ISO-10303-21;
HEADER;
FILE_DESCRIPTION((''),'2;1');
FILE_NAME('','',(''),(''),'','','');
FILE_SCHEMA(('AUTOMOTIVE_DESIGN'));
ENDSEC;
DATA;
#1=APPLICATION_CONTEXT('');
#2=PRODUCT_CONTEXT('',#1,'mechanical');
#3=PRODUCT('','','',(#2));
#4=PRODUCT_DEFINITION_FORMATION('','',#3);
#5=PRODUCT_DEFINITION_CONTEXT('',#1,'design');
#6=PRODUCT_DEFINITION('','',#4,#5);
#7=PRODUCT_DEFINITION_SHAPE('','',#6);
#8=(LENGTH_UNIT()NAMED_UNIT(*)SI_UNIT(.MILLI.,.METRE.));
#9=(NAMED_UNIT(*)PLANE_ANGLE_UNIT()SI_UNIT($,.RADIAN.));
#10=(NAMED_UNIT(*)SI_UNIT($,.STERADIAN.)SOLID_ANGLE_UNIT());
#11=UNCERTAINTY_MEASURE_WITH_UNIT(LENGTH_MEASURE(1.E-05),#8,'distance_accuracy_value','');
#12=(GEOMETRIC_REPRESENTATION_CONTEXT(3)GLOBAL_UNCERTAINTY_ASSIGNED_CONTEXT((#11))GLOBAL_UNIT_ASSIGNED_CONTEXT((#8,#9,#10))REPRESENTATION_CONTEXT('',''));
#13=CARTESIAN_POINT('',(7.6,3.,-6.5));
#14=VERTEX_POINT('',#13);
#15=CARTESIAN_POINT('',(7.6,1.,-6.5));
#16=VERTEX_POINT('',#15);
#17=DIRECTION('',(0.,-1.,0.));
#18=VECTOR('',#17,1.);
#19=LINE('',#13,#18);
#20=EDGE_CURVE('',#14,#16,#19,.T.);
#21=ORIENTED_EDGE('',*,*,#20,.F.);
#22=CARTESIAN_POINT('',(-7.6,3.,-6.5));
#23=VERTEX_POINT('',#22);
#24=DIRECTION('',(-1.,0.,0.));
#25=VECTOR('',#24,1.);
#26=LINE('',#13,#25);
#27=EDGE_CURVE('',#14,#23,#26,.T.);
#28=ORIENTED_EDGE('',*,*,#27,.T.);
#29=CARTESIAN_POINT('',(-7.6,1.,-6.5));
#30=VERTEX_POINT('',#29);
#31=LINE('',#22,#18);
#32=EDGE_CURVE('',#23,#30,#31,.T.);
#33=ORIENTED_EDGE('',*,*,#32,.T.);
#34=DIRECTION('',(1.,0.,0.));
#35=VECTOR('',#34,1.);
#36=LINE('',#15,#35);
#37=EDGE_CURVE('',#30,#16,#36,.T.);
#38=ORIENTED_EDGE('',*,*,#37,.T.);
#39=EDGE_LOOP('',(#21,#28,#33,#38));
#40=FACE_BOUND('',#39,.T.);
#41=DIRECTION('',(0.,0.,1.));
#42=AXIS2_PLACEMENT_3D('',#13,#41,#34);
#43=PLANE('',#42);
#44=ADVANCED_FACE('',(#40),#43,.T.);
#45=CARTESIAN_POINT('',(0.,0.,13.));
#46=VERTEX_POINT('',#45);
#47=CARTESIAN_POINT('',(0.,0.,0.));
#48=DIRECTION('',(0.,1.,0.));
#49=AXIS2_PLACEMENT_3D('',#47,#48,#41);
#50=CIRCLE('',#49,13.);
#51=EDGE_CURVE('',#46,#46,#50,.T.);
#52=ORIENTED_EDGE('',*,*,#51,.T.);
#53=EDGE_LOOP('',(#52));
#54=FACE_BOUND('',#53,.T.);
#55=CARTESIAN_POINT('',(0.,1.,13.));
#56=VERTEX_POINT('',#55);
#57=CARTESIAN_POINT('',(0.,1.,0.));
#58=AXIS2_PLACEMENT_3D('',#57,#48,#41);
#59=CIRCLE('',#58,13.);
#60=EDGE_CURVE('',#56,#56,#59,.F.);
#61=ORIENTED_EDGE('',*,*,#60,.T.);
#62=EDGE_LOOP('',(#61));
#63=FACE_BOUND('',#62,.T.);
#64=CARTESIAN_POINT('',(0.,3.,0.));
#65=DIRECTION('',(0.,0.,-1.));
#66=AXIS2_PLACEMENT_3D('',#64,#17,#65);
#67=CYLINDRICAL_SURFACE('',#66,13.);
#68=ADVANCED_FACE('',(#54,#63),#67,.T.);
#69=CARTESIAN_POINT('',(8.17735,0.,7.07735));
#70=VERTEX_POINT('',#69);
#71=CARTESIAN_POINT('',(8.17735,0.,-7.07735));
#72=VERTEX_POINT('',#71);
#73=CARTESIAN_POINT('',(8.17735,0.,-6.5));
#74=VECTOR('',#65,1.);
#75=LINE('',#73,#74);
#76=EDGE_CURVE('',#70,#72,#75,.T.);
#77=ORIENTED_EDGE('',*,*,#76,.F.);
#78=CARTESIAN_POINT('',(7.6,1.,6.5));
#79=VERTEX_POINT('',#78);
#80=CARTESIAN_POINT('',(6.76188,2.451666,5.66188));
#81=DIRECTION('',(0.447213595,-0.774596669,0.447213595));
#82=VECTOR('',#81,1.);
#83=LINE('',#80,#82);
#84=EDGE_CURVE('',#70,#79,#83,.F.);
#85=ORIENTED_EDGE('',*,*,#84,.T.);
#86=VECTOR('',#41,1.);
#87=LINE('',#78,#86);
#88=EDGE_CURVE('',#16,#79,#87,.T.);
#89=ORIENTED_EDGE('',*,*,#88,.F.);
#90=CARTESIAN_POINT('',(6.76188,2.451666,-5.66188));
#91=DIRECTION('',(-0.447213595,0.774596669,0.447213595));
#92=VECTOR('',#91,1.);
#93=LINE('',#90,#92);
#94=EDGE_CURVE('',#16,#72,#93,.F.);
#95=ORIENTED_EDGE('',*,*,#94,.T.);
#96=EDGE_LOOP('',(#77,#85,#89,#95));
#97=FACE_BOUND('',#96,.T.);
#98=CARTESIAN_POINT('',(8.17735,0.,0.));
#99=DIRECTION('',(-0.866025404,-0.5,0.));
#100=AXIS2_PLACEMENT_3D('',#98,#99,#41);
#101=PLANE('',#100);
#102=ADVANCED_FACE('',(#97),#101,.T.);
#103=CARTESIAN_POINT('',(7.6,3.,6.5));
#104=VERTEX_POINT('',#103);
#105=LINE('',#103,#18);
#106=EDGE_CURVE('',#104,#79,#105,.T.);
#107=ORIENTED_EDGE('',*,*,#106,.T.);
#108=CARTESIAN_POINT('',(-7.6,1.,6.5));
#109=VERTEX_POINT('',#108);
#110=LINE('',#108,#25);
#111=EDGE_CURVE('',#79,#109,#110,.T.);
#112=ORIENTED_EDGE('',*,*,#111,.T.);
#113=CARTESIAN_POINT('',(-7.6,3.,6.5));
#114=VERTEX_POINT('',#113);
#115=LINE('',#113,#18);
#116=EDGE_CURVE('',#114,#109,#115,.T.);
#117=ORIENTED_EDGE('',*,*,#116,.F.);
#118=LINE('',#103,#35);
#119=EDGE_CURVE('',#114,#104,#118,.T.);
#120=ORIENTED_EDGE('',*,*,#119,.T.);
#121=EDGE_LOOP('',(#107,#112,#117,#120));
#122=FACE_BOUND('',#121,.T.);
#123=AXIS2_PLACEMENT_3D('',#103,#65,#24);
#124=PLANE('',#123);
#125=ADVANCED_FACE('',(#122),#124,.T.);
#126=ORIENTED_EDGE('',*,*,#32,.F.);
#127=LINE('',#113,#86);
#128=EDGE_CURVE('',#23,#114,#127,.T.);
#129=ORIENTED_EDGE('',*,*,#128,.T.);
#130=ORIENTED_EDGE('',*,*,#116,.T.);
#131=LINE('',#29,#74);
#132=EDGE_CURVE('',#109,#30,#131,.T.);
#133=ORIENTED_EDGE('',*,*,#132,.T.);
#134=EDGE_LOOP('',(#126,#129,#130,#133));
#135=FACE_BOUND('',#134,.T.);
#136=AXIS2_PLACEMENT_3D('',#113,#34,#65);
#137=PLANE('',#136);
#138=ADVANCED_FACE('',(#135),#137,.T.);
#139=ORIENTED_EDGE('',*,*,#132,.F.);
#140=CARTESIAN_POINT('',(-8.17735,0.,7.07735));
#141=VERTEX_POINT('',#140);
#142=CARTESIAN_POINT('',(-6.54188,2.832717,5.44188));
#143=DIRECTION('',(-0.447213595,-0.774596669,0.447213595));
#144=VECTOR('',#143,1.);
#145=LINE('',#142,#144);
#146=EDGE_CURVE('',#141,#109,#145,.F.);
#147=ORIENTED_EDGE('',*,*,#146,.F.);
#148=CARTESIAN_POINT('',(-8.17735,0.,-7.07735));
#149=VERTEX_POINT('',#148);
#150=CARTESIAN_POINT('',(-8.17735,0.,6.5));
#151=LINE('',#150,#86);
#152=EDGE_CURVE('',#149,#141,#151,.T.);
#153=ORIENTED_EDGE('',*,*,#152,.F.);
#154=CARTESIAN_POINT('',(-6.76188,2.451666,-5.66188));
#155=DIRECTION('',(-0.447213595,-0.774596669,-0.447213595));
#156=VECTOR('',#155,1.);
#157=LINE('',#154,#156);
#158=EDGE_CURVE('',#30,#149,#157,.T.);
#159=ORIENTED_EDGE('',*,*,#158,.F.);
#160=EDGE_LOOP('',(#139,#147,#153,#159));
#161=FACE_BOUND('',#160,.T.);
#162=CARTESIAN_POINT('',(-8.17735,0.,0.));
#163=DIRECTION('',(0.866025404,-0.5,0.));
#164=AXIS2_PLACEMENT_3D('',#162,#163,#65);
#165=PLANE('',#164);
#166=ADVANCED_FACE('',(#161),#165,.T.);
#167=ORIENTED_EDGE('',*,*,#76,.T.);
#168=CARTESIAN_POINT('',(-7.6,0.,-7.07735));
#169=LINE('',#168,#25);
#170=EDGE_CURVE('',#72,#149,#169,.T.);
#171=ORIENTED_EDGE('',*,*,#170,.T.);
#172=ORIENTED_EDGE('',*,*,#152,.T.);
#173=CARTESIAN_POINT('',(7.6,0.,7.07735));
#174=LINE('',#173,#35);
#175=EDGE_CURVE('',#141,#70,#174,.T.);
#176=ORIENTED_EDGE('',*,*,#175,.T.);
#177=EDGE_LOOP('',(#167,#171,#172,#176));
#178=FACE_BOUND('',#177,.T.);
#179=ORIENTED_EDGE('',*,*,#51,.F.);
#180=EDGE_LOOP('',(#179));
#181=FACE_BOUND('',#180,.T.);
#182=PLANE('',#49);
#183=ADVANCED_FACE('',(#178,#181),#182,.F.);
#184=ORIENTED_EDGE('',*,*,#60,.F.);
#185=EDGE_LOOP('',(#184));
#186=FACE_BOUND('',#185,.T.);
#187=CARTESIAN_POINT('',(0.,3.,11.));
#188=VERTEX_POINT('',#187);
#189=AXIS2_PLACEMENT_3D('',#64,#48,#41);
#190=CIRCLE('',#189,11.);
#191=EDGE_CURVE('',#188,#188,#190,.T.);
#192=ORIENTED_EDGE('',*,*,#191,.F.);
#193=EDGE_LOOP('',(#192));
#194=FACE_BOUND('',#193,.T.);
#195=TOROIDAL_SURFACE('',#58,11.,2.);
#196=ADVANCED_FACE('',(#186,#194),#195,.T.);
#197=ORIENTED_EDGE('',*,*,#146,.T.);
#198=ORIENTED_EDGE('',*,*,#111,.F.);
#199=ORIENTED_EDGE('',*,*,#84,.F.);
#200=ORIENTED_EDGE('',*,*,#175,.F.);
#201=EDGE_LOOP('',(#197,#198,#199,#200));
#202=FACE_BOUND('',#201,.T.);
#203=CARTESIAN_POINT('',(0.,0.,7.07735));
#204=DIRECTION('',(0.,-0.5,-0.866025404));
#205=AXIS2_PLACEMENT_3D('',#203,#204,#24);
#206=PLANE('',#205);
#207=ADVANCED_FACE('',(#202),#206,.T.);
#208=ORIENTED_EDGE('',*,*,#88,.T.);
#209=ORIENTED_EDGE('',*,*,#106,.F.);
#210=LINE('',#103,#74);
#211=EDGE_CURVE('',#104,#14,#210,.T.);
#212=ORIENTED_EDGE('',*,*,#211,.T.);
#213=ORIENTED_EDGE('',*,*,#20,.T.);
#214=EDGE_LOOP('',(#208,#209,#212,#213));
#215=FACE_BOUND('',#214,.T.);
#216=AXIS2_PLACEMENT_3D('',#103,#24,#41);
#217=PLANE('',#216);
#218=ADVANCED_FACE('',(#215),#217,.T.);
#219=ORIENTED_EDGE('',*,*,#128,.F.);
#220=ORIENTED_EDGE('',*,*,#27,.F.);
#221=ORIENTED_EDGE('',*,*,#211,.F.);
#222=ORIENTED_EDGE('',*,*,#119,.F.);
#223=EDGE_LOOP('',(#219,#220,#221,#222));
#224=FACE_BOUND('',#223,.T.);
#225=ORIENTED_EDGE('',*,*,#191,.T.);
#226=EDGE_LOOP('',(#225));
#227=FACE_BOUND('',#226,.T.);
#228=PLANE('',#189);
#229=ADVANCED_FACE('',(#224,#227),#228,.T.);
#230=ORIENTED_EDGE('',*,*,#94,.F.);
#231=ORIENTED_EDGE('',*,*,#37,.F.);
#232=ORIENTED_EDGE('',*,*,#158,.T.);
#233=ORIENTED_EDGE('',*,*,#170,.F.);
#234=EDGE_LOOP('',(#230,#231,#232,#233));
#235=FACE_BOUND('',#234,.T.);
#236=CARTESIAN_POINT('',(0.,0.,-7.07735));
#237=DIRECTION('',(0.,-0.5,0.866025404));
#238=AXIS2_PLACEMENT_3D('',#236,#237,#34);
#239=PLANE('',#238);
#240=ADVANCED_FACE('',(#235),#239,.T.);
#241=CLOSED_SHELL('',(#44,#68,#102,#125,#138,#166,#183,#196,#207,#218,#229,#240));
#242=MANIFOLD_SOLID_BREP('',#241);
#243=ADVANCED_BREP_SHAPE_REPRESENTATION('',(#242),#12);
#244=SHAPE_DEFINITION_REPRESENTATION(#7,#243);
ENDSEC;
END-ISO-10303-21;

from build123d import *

# Parameters (mm, degrees)
SKETCH1_R             = 13
SKETCH1_W             = 15.2
SKETCH1_H             = 13
BOSS_EXTRUDE1_DEPTH   = 3
FILLET1_R             = 2
CHAMFER1_SIZE         = 1
CHAMFER1_SIZE2        = 0.577350269
CHAMFER1_PART_2_SIZE  = 1
CHAMFER1_PART_2_SIZE2 = 0.577350269
CHAMFER1_PART_3_SIZE  = 1
CHAMFER1_PART_3_SIZE2 = 0.577350269
CHAMFER1_PART_4_SIZE  = 1
CHAMFER1_PART_4_SIZE2 = 0.577350269


with BuildPart() as part:
    # Sketch1 → Boss-Extrude1 (new body)
    with BuildSketch(Plane(origin=(0, 0, 0), x_dir=(1, 0, 0), z_dir=(0, 1, 0))):
        Circle(SKETCH1_R)
        Rectangle(SKETCH1_W, SKETCH1_H, mode=Mode.SUBTRACT)
    extrude(amount=BOSS_EXTRUDE1_DEPTH)

    # Fillet1
    fillet1_edges = [part.edges().sort_by_distance(p)[0] for p in [
        (-13, 3, 0),
    ]]
    fillet(fillet1_edges, radius=FILLET1_R)

    # Chamfer1
    chamfer1_edges = [part.edges().sort_by_distance(p)[0] for p in [
        (-7.6, 0, 0),
    ]]
    chamfer1_side = [part.faces().sort_by_distance(p)[0] for p in [
        (-7.6, 1.5, 0),
    ]]
    chamfer(chamfer1_edges, length=CHAMFER1_SIZE, length2=CHAMFER1_SIZE2, reference=chamfer1_side[0])

    # Chamfer1 part 2
    chamfer1_part_2_edges = [part.edges().sort_by_distance(p)[0] for p in [
        (0, 0, 6.5),
    ]]
    chamfer1_part_2_side = [part.faces().sort_by_distance(p)[0] for p in [
        (0, 1.5, 6.5),
    ]]
    chamfer(chamfer1_part_2_edges, length=CHAMFER1_PART_2_SIZE, length2=CHAMFER1_PART_2_SIZE2, reference=chamfer1_part_2_side[0])

    # Chamfer1 part 3
    chamfer1_part_3_edges = [part.edges().sort_by_distance(p)[0] for p in [
        (7.6, 0, 0),
    ]]
    chamfer1_part_3_side = [part.faces().sort_by_distance(p)[0] for p in [
        (7.6, 1.5, 0),
    ]]
    chamfer(chamfer1_part_3_edges, length=CHAMFER1_PART_3_SIZE, length2=CHAMFER1_PART_3_SIZE2, reference=chamfer1_part_3_side[0])

    # Chamfer1 part 4
    chamfer1_part_4_edges = [part.edges().sort_by_distance(p)[0] for p in [
        (0, 0, -6.5),
    ]]
    chamfer1_part_4_side = [part.faces().sort_by_distance(p)[0] for p in [
        (0, 1.5, -6.5),
    ]]
    chamfer(chamfer1_part_4_edges, length=CHAMFER1_PART_4_SIZE, length2=CHAMFER1_PART_4_SIZE2, reference=chamfer1_part_4_side[0])


solid = part.part
